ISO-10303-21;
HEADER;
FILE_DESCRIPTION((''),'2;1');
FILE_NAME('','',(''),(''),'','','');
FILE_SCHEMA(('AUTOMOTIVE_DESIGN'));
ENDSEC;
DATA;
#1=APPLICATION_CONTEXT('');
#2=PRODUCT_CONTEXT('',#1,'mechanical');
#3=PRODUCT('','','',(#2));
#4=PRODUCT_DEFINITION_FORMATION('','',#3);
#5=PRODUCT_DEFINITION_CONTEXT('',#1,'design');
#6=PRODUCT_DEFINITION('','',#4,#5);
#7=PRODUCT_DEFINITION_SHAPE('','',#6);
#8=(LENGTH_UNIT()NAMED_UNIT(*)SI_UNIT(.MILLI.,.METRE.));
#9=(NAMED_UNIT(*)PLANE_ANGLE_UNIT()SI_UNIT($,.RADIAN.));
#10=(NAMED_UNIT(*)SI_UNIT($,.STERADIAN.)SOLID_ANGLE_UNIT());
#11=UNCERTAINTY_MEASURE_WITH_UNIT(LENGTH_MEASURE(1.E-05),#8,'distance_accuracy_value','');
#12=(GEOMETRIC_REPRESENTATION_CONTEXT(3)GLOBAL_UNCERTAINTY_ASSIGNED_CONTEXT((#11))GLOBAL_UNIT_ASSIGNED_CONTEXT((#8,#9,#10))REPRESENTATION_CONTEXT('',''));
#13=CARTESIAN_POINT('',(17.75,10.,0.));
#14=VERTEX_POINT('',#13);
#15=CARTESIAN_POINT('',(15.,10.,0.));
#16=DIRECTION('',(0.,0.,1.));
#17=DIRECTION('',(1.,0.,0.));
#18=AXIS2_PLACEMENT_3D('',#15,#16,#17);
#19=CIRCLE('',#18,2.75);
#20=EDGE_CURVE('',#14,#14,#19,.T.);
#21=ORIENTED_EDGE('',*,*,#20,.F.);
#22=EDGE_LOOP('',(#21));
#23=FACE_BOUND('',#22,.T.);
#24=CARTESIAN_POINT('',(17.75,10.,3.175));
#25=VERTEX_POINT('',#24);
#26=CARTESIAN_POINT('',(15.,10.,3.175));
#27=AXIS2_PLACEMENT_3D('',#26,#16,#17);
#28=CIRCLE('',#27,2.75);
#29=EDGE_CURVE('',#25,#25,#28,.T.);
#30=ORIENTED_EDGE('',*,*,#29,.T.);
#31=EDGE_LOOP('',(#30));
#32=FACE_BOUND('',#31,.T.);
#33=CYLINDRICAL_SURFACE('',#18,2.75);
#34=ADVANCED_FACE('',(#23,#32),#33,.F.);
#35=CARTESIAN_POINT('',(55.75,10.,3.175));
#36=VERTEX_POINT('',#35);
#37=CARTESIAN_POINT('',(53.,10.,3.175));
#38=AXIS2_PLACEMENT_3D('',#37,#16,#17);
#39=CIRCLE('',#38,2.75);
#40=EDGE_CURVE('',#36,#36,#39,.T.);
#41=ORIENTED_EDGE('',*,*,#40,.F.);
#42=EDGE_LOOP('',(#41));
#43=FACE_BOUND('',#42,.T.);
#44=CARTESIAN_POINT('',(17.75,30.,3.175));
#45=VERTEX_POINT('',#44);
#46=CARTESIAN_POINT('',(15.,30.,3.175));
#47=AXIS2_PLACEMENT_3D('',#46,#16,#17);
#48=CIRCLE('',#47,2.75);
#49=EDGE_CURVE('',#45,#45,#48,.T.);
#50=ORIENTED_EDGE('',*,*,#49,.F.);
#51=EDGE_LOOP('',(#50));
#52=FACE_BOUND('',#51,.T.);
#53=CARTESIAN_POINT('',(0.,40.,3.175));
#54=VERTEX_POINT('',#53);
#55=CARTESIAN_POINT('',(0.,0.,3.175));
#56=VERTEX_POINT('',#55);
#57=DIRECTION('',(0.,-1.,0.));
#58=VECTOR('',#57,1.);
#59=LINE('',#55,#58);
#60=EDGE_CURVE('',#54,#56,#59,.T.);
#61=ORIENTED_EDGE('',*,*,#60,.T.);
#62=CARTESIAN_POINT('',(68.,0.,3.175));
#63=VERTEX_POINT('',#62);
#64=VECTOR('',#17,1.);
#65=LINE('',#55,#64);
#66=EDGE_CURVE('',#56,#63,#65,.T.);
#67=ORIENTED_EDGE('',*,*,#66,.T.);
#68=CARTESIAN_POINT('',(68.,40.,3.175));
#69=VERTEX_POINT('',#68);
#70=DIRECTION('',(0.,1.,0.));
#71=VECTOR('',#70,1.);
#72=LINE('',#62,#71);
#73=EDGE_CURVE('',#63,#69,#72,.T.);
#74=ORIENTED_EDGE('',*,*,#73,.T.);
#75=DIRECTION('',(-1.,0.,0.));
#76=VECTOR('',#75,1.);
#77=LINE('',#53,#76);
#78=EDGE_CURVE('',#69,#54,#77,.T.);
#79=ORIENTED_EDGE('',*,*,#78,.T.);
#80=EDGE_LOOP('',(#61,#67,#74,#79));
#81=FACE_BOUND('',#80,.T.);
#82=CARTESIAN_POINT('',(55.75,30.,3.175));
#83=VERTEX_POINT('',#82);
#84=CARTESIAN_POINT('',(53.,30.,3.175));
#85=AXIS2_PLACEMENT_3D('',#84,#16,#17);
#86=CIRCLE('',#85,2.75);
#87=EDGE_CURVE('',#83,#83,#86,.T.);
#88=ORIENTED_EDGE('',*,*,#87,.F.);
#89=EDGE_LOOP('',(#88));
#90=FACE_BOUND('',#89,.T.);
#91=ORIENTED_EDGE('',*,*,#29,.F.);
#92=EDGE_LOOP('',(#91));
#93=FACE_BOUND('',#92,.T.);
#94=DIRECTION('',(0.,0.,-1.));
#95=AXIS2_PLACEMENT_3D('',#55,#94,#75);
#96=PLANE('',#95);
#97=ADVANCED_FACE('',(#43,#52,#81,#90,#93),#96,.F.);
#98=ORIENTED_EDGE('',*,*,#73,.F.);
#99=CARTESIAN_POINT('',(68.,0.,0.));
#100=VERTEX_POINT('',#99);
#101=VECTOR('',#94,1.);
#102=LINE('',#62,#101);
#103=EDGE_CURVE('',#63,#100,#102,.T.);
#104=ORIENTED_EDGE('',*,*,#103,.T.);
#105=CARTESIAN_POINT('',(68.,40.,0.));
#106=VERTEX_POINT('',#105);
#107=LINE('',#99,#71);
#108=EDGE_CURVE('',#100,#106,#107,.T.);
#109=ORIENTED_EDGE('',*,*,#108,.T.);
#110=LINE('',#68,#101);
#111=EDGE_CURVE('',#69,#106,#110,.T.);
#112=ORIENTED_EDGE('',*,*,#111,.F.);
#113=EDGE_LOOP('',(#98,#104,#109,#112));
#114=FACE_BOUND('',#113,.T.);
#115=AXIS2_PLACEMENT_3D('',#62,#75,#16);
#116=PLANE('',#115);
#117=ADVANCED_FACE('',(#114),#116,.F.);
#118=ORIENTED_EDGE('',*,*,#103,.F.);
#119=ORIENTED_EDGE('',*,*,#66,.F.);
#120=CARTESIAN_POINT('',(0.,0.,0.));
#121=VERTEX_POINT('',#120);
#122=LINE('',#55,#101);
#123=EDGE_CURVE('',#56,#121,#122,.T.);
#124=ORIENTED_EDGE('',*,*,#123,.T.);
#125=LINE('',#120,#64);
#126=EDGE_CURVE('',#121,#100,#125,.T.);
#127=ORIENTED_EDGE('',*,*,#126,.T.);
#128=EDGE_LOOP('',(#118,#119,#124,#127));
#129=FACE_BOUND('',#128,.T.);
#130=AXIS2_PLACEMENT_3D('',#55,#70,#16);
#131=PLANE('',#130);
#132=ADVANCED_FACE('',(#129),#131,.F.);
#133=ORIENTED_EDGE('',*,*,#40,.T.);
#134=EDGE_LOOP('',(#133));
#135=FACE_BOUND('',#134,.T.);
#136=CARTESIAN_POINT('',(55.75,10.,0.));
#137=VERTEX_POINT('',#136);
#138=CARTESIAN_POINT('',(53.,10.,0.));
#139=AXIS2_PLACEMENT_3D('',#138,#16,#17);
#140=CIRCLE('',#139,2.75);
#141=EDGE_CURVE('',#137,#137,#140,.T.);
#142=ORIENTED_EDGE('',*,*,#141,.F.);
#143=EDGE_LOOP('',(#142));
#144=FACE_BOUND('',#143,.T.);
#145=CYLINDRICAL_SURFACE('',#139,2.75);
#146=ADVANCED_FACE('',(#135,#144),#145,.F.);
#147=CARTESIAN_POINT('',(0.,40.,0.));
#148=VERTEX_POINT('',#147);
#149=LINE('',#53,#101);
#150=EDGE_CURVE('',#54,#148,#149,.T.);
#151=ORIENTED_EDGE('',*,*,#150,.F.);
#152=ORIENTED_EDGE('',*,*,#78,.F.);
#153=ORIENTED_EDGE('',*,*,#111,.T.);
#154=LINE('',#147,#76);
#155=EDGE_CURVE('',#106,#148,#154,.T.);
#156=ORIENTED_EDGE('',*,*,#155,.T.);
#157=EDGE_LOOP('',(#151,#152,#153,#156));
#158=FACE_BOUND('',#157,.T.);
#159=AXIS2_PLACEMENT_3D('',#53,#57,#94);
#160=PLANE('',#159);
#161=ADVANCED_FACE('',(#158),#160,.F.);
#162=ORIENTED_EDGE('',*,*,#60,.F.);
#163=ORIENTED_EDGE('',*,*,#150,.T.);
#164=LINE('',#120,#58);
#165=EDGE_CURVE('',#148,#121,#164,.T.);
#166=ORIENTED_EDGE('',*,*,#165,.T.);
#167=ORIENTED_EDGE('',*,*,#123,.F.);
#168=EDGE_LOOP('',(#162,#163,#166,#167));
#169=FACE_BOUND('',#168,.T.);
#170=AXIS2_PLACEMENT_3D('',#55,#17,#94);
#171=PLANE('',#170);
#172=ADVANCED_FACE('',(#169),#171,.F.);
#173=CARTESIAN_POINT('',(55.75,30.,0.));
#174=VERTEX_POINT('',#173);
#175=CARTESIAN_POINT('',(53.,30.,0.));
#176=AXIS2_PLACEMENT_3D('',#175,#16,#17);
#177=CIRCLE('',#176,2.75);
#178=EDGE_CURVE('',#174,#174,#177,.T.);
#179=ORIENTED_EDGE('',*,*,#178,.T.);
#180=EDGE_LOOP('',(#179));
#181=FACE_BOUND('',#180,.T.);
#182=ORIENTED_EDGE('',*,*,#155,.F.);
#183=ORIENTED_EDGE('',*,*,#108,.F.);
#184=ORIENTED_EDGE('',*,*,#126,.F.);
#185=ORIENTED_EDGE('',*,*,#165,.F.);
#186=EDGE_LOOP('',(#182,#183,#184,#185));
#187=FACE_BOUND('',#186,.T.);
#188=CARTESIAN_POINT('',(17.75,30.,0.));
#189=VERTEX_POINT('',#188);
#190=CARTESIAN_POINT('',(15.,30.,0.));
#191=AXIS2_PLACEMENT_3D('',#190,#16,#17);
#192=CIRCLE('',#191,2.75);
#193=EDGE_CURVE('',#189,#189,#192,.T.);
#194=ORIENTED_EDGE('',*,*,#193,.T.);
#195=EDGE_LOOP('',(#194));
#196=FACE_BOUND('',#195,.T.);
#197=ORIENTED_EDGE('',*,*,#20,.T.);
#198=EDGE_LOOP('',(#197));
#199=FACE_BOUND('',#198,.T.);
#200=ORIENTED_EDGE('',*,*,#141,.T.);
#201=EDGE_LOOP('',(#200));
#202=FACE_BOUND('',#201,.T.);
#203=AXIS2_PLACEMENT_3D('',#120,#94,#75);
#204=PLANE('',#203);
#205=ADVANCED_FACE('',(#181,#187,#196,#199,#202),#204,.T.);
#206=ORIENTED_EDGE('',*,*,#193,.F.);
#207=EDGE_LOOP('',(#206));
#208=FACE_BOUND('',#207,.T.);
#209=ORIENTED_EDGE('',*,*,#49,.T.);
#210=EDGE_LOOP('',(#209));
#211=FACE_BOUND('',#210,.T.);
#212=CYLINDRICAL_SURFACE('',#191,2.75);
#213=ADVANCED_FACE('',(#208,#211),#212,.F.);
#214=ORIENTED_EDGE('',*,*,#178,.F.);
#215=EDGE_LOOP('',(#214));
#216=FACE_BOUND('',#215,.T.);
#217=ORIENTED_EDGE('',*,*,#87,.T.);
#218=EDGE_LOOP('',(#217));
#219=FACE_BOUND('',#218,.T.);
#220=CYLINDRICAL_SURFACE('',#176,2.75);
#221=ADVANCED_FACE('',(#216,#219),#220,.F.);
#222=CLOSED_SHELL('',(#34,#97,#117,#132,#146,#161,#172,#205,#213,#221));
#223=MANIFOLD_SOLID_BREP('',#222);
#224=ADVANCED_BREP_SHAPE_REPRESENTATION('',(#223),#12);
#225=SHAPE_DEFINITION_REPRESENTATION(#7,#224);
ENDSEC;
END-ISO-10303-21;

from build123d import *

# Parameters (mm, degrees)
SKETCH1_W           = 68
SKETCH1_H           = 40
BOSS_EXTRUDE1_DEPTH = 3.175
SKETCH2_R           = 2.75
CUT_EXTRUDE1_DEPTH  = 4.175


with BuildPart() as part:
    # Sketch1 → Boss-Extrude1 (new body)
    with BuildSketch(Plane.XY):
        with Locations((34, 20)):
            Rectangle(SKETCH1_W, SKETCH1_H)
    extrude(amount=BOSS_EXTRUDE1_DEPTH)

    # Sketch2 → Cut-Extrude1 (cut, through all)
    with BuildSketch(Plane.XY.offset(3.175)):
        with Locations((15, 30)):
            Circle(SKETCH2_R)
        with Locations((53, 30)):
            Circle(SKETCH2_R)
        with Locations((15, 10)):
            Circle(SKETCH2_R)
        with Locations((53, 10)):
            Circle(SKETCH2_R)
    extrude(amount=-CUT_EXTRUDE1_DEPTH, mode=Mode.SUBTRACT)


solid = part.part
